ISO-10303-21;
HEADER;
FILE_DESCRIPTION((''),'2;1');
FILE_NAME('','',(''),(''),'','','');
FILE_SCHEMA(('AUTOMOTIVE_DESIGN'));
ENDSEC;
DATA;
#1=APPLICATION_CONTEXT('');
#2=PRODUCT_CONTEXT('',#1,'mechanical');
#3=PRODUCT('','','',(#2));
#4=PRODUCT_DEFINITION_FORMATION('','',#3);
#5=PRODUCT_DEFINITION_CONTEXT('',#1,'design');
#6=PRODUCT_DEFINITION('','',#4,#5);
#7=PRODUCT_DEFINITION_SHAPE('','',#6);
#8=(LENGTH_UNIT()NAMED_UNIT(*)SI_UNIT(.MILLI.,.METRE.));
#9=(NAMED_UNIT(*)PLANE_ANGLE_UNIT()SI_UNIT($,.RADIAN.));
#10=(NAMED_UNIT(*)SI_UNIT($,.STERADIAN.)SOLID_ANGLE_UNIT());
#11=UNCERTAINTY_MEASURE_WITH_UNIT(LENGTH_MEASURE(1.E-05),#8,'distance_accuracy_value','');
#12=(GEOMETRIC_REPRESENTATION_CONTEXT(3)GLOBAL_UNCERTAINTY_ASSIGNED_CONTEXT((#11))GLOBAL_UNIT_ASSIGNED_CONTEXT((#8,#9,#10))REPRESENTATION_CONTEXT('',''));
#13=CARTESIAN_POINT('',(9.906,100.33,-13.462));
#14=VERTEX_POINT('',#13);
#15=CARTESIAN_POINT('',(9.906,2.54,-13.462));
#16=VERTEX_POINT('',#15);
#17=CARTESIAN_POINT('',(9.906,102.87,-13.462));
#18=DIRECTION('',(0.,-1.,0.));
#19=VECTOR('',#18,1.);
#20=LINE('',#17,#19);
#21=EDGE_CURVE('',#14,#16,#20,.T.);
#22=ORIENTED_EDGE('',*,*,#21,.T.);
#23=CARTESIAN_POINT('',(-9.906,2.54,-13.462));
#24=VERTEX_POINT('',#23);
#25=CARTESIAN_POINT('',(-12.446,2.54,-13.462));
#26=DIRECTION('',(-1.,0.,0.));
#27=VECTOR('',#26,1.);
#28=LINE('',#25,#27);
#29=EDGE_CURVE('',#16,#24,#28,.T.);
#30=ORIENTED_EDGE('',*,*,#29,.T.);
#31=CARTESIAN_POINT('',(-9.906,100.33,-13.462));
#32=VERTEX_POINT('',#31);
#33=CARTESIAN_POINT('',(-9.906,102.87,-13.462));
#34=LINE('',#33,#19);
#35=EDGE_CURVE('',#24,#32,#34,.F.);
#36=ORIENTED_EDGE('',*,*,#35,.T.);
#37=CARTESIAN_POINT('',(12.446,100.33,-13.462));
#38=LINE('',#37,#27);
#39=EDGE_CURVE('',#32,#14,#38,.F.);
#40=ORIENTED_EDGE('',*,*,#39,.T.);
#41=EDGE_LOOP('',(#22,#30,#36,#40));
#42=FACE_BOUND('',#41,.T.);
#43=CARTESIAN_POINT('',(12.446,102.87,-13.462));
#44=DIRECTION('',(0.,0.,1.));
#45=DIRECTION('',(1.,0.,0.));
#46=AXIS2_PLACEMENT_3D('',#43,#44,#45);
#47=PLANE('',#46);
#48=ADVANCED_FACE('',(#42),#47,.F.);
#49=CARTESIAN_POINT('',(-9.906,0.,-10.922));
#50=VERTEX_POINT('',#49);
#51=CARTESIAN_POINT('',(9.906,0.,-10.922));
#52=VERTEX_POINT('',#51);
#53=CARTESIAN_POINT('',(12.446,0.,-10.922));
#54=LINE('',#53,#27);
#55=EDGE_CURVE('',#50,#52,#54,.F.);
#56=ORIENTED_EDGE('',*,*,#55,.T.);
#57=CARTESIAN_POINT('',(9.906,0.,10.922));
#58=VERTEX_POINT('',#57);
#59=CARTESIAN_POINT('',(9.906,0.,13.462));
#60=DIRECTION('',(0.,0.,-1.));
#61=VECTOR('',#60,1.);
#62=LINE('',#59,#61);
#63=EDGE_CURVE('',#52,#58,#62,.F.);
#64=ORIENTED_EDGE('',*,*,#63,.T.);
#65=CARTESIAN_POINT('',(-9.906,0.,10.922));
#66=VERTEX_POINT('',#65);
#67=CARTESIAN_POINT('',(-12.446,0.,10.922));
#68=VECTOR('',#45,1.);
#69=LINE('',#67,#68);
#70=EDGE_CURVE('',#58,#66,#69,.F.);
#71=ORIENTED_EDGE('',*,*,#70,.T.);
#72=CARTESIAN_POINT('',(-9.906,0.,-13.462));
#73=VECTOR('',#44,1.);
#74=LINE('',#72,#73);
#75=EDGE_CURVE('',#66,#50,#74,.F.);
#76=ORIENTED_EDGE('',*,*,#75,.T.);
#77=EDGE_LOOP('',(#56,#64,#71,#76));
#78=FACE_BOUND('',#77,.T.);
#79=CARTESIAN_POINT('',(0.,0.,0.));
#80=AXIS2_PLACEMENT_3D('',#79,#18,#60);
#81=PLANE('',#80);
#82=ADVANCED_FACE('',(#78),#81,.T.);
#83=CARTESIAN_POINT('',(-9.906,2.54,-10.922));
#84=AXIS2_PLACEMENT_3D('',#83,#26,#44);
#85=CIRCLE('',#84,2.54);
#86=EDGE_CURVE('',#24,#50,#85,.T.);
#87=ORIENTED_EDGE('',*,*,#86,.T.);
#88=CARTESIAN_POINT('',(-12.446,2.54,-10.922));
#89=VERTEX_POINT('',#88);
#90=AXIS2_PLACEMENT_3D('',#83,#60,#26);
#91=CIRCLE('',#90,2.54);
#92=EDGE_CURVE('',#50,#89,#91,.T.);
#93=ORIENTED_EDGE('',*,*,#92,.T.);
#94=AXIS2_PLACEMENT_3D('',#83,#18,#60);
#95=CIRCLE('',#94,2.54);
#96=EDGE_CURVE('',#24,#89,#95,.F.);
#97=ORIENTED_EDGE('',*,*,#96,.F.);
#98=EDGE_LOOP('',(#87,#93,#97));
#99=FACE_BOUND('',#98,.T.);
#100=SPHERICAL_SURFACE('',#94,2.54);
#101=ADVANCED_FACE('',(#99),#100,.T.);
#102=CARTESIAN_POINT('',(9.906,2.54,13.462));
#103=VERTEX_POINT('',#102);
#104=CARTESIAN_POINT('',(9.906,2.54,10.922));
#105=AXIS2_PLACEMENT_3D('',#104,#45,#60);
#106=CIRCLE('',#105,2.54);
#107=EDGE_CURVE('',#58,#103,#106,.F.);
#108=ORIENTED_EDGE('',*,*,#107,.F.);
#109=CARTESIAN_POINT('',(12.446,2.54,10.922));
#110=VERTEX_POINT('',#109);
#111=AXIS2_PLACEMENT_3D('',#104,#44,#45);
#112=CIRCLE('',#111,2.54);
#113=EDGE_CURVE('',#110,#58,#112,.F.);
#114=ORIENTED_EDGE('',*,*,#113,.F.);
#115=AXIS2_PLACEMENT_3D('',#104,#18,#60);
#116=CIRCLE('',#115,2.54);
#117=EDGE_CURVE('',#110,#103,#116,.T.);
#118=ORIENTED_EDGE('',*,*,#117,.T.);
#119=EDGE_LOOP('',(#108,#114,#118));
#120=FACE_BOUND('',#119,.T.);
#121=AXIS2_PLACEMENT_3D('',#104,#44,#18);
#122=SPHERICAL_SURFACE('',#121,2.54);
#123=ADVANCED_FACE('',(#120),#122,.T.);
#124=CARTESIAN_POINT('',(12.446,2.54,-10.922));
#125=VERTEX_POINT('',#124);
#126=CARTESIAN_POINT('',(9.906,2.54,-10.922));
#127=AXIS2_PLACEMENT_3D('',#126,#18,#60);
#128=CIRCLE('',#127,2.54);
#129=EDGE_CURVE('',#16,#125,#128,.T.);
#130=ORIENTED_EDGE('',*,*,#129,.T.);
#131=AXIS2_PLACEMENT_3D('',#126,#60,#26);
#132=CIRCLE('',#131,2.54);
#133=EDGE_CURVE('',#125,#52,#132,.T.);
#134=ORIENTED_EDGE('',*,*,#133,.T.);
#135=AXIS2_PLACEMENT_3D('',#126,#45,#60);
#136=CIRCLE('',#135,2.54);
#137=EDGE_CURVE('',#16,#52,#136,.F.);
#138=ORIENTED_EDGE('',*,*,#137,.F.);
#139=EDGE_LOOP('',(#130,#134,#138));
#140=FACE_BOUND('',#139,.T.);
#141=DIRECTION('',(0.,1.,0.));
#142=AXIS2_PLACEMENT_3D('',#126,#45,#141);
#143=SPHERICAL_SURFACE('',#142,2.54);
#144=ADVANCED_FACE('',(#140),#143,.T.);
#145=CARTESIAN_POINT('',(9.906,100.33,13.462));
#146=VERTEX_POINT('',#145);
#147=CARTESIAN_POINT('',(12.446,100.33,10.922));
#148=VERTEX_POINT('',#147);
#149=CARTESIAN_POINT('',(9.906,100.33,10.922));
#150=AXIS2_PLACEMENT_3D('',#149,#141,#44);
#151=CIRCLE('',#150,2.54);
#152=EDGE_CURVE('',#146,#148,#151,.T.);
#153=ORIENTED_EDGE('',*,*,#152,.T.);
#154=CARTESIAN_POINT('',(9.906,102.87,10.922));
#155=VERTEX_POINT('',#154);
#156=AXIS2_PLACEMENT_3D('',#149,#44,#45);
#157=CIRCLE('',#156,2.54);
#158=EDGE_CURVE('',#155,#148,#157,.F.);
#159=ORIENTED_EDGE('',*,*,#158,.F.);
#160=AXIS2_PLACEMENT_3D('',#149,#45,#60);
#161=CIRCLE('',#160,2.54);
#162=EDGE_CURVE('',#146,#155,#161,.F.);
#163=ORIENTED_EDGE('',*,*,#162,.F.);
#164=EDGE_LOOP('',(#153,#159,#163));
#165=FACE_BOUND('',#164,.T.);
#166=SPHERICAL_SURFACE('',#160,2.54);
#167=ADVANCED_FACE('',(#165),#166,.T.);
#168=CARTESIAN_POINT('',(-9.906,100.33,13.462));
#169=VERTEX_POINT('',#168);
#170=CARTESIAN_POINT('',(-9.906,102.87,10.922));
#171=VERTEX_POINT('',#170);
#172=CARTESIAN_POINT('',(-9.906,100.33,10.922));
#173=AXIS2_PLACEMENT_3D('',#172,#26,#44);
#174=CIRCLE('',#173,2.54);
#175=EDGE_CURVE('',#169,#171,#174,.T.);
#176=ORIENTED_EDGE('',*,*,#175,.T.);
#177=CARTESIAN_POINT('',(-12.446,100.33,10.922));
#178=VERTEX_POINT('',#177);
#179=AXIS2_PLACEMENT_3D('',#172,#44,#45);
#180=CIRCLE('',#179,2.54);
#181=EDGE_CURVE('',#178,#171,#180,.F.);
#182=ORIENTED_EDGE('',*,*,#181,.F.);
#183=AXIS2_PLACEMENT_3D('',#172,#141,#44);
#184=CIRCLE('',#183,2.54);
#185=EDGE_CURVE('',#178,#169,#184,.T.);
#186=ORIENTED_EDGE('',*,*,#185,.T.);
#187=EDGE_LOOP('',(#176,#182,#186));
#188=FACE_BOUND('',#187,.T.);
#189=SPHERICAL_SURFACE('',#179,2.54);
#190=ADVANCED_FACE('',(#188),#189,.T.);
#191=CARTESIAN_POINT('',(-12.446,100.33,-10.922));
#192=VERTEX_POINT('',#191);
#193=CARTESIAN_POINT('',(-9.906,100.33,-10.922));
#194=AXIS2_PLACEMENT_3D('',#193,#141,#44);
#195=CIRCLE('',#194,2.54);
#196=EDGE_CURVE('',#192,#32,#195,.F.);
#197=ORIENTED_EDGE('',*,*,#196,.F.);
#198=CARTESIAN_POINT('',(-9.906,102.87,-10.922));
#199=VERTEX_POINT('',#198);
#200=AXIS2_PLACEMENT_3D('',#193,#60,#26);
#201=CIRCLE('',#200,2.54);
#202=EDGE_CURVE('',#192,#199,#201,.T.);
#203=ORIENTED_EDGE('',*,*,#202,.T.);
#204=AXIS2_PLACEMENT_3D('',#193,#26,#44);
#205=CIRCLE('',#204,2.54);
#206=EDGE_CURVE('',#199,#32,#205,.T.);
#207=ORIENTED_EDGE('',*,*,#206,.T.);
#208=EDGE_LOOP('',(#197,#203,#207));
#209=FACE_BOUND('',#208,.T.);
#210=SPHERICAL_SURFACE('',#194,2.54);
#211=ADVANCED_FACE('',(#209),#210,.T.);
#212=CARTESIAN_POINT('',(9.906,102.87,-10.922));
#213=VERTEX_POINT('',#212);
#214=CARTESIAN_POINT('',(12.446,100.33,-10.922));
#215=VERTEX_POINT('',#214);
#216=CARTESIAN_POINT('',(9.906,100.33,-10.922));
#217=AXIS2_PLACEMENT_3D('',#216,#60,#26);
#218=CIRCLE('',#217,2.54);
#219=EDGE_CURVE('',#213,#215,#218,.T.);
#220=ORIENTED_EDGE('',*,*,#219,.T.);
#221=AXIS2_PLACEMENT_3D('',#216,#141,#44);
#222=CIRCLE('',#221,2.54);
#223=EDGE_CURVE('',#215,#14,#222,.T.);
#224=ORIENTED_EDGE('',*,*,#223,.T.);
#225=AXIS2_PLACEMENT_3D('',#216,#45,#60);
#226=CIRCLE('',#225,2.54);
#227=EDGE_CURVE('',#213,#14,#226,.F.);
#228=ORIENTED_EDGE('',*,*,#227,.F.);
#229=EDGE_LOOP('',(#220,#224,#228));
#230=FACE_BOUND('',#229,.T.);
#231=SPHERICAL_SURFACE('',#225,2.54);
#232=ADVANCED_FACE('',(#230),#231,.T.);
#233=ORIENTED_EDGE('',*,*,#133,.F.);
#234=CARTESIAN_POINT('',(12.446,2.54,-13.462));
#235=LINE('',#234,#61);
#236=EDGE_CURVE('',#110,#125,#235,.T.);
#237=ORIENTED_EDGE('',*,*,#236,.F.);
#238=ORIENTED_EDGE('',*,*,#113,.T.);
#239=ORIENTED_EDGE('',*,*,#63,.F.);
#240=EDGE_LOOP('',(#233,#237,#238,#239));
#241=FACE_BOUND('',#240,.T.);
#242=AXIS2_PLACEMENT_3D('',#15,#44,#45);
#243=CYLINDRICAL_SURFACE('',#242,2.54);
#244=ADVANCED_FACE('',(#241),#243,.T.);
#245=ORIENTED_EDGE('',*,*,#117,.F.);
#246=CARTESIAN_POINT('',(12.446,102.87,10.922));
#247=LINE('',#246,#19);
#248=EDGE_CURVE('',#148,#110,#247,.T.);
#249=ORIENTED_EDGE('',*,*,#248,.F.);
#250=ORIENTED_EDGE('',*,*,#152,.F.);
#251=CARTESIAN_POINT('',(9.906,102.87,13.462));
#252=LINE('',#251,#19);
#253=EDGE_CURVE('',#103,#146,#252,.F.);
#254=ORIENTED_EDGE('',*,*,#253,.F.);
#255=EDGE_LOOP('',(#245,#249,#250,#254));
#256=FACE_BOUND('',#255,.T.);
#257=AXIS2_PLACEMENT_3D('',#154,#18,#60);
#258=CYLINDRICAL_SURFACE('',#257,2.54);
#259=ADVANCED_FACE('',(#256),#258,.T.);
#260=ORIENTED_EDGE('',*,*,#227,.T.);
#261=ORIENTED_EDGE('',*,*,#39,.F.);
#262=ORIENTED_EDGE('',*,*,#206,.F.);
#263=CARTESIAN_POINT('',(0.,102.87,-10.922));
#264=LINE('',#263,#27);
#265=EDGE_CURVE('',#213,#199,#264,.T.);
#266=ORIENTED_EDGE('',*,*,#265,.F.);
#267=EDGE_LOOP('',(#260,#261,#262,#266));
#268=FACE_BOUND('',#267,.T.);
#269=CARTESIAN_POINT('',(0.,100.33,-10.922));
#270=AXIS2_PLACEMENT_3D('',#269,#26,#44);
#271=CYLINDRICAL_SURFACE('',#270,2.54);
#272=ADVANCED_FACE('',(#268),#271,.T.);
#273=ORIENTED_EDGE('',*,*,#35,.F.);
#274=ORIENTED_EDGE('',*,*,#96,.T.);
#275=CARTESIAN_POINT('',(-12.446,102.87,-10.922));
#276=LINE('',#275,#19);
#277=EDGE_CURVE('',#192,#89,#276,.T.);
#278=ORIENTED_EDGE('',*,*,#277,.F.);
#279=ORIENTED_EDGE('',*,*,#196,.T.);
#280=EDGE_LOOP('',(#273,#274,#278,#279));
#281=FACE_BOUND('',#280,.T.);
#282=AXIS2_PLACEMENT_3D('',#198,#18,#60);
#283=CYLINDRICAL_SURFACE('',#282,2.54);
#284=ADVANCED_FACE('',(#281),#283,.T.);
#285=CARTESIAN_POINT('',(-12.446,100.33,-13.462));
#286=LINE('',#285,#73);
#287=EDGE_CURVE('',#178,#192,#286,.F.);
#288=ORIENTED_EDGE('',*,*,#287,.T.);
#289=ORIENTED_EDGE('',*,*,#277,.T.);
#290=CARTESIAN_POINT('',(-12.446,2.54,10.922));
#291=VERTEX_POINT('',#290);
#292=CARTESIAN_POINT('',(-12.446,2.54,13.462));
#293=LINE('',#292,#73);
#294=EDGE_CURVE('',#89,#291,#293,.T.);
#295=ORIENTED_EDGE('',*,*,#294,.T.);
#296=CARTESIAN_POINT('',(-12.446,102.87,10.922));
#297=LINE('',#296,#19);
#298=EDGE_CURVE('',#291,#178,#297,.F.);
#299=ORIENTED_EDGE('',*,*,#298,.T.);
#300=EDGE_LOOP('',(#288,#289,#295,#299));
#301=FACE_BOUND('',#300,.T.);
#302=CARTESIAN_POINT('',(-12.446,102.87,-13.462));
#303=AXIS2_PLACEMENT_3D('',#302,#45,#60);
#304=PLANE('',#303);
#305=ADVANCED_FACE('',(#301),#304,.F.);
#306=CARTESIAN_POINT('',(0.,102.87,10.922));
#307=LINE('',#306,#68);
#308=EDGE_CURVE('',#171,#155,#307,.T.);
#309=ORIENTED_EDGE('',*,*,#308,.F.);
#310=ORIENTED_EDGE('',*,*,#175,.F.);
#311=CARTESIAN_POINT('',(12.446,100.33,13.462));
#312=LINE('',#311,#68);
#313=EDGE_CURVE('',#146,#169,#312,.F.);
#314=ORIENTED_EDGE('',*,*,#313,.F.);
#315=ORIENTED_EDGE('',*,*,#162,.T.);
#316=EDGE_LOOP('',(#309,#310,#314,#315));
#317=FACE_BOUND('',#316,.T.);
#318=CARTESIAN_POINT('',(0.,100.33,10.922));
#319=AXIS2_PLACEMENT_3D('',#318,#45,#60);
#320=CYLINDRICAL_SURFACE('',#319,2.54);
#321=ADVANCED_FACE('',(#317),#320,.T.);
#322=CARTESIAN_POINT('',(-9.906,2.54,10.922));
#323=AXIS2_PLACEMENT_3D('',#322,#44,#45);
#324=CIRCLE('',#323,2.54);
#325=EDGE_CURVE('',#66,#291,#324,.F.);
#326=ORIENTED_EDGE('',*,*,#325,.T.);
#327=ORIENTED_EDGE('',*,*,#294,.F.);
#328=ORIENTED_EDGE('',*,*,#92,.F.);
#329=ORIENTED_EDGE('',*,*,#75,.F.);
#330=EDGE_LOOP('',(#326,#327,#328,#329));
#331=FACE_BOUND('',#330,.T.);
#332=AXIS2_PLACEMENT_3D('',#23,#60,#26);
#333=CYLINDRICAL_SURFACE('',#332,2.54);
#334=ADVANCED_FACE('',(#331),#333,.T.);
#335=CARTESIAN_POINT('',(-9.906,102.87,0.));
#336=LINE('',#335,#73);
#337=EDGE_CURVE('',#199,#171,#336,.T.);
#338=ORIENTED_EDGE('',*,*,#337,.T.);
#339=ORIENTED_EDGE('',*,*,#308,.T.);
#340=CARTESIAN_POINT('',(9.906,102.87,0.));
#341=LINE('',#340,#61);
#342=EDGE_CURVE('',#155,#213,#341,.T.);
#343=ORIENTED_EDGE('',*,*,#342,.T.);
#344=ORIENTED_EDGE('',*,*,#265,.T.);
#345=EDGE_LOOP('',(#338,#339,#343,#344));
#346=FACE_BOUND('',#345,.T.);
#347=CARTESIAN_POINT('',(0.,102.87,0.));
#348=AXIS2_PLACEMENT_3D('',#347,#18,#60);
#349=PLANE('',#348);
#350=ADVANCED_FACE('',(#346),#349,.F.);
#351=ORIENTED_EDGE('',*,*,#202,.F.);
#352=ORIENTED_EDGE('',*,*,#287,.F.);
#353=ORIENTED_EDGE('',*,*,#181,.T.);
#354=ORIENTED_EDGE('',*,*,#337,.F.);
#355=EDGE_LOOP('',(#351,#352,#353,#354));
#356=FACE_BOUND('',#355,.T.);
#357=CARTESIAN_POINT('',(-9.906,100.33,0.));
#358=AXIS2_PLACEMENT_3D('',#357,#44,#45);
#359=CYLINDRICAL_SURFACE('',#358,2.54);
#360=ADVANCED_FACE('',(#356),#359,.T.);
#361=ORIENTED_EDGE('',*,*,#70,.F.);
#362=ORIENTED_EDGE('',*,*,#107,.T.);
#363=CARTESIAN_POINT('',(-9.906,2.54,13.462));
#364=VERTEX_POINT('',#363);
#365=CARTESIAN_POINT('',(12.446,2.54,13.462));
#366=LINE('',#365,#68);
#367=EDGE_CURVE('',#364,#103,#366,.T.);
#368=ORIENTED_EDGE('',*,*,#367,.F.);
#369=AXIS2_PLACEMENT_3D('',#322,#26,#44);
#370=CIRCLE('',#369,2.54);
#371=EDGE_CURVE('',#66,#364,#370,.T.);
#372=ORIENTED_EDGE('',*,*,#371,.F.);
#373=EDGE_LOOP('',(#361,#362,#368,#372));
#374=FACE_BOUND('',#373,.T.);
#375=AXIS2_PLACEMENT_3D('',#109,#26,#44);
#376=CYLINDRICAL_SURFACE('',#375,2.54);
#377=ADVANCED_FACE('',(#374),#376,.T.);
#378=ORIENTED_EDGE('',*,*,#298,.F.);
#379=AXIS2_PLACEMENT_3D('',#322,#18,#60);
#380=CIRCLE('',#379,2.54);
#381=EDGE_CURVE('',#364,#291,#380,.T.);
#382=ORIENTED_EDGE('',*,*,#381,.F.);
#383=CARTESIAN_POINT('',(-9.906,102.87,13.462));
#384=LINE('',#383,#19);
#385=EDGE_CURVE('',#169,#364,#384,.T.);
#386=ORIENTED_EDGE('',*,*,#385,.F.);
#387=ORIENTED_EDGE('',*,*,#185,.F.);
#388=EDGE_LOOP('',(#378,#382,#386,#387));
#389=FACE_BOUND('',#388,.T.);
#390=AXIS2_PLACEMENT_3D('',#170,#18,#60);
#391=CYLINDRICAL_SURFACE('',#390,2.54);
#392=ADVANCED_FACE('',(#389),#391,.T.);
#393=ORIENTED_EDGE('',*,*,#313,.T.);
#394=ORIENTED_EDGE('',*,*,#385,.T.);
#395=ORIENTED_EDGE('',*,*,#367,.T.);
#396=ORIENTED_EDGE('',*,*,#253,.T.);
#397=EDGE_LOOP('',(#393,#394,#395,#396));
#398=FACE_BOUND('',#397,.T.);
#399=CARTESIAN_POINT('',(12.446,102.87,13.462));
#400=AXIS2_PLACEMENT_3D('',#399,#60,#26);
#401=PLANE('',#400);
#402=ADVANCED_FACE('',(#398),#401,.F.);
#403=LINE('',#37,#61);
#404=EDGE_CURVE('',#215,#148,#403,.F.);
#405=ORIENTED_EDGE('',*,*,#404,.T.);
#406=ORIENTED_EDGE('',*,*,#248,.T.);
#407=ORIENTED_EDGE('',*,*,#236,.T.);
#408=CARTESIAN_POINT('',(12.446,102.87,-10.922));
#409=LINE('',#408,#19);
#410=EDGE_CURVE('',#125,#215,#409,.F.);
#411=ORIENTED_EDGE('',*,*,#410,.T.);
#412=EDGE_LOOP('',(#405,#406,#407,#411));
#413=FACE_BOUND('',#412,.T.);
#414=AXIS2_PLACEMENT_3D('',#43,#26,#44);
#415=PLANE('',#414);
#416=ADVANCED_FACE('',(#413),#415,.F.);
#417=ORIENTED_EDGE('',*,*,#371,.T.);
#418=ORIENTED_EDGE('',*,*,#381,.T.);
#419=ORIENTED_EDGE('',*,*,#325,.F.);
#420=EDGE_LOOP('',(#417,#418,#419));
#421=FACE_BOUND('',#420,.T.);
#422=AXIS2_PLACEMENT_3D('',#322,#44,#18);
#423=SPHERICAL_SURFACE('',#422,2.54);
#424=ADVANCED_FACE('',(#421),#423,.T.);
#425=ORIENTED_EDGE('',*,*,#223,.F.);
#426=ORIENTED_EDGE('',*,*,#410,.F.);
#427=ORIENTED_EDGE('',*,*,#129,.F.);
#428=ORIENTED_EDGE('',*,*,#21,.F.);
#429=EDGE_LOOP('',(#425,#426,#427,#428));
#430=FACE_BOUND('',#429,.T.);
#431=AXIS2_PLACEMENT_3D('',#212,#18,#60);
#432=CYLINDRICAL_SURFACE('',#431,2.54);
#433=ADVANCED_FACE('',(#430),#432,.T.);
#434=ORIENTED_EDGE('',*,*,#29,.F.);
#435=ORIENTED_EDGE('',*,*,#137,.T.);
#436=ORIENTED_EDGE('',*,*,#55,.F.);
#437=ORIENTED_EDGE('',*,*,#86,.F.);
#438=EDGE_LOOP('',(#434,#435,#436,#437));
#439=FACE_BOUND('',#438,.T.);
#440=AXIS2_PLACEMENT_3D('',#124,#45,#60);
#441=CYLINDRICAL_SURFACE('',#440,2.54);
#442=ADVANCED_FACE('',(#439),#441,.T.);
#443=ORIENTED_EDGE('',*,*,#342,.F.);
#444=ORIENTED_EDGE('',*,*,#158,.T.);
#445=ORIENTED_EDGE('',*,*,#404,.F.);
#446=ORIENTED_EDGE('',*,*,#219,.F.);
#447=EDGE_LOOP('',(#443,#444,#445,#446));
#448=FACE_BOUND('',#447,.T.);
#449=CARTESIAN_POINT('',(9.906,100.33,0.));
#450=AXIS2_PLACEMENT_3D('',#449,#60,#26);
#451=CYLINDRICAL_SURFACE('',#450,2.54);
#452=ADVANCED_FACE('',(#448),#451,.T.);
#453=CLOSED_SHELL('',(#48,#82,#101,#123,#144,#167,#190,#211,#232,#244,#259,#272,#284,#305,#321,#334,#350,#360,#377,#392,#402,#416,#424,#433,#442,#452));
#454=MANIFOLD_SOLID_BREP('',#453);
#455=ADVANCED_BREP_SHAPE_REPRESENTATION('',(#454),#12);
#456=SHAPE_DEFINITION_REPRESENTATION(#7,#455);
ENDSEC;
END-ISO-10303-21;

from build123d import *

# Parameters (mm, degrees)
SKETCH1_W           = 24.892
SKETCH1_H           = 26.924
BOSS_EXTRUDE1_DEPTH = 102.87
FILLET1_R           = 2.54


with BuildPart() as part:
    # Sketch1 → Boss-Extrude1 (new body)
    with BuildSketch(Plane(origin=(0, 0, 0), x_dir=(1, 0, 0), z_dir=(0, 1, 0))):
        Rectangle(SKETCH1_W, SKETCH1_H)
    extrude(amount=BOSS_EXTRUDE1_DEPTH)

    # Fillet1
    fillet1_edges = [part.edges().sort_by_distance(p)[0] for p in [
        (12.446, 102.87, 0),
        (0, 102.87, -13.462),
        (-12.446, 102.87, 0),
        (0, 0, -13.462),
        (12.446, 0, 0),
        (0, 0, 13.462),
        (-12.446, 0, 0),
        (-12.446, 51.435, -13.462),
        (12.446, 51.435, -13.462),
        (12.446, 51.435, 13.462),
        (-12.446, 51.435, 13.462),
        (0, 102.87, 13.462),
    ]]
    fillet(fillet1_edges, radius=FILLET1_R)


solid = part.part
